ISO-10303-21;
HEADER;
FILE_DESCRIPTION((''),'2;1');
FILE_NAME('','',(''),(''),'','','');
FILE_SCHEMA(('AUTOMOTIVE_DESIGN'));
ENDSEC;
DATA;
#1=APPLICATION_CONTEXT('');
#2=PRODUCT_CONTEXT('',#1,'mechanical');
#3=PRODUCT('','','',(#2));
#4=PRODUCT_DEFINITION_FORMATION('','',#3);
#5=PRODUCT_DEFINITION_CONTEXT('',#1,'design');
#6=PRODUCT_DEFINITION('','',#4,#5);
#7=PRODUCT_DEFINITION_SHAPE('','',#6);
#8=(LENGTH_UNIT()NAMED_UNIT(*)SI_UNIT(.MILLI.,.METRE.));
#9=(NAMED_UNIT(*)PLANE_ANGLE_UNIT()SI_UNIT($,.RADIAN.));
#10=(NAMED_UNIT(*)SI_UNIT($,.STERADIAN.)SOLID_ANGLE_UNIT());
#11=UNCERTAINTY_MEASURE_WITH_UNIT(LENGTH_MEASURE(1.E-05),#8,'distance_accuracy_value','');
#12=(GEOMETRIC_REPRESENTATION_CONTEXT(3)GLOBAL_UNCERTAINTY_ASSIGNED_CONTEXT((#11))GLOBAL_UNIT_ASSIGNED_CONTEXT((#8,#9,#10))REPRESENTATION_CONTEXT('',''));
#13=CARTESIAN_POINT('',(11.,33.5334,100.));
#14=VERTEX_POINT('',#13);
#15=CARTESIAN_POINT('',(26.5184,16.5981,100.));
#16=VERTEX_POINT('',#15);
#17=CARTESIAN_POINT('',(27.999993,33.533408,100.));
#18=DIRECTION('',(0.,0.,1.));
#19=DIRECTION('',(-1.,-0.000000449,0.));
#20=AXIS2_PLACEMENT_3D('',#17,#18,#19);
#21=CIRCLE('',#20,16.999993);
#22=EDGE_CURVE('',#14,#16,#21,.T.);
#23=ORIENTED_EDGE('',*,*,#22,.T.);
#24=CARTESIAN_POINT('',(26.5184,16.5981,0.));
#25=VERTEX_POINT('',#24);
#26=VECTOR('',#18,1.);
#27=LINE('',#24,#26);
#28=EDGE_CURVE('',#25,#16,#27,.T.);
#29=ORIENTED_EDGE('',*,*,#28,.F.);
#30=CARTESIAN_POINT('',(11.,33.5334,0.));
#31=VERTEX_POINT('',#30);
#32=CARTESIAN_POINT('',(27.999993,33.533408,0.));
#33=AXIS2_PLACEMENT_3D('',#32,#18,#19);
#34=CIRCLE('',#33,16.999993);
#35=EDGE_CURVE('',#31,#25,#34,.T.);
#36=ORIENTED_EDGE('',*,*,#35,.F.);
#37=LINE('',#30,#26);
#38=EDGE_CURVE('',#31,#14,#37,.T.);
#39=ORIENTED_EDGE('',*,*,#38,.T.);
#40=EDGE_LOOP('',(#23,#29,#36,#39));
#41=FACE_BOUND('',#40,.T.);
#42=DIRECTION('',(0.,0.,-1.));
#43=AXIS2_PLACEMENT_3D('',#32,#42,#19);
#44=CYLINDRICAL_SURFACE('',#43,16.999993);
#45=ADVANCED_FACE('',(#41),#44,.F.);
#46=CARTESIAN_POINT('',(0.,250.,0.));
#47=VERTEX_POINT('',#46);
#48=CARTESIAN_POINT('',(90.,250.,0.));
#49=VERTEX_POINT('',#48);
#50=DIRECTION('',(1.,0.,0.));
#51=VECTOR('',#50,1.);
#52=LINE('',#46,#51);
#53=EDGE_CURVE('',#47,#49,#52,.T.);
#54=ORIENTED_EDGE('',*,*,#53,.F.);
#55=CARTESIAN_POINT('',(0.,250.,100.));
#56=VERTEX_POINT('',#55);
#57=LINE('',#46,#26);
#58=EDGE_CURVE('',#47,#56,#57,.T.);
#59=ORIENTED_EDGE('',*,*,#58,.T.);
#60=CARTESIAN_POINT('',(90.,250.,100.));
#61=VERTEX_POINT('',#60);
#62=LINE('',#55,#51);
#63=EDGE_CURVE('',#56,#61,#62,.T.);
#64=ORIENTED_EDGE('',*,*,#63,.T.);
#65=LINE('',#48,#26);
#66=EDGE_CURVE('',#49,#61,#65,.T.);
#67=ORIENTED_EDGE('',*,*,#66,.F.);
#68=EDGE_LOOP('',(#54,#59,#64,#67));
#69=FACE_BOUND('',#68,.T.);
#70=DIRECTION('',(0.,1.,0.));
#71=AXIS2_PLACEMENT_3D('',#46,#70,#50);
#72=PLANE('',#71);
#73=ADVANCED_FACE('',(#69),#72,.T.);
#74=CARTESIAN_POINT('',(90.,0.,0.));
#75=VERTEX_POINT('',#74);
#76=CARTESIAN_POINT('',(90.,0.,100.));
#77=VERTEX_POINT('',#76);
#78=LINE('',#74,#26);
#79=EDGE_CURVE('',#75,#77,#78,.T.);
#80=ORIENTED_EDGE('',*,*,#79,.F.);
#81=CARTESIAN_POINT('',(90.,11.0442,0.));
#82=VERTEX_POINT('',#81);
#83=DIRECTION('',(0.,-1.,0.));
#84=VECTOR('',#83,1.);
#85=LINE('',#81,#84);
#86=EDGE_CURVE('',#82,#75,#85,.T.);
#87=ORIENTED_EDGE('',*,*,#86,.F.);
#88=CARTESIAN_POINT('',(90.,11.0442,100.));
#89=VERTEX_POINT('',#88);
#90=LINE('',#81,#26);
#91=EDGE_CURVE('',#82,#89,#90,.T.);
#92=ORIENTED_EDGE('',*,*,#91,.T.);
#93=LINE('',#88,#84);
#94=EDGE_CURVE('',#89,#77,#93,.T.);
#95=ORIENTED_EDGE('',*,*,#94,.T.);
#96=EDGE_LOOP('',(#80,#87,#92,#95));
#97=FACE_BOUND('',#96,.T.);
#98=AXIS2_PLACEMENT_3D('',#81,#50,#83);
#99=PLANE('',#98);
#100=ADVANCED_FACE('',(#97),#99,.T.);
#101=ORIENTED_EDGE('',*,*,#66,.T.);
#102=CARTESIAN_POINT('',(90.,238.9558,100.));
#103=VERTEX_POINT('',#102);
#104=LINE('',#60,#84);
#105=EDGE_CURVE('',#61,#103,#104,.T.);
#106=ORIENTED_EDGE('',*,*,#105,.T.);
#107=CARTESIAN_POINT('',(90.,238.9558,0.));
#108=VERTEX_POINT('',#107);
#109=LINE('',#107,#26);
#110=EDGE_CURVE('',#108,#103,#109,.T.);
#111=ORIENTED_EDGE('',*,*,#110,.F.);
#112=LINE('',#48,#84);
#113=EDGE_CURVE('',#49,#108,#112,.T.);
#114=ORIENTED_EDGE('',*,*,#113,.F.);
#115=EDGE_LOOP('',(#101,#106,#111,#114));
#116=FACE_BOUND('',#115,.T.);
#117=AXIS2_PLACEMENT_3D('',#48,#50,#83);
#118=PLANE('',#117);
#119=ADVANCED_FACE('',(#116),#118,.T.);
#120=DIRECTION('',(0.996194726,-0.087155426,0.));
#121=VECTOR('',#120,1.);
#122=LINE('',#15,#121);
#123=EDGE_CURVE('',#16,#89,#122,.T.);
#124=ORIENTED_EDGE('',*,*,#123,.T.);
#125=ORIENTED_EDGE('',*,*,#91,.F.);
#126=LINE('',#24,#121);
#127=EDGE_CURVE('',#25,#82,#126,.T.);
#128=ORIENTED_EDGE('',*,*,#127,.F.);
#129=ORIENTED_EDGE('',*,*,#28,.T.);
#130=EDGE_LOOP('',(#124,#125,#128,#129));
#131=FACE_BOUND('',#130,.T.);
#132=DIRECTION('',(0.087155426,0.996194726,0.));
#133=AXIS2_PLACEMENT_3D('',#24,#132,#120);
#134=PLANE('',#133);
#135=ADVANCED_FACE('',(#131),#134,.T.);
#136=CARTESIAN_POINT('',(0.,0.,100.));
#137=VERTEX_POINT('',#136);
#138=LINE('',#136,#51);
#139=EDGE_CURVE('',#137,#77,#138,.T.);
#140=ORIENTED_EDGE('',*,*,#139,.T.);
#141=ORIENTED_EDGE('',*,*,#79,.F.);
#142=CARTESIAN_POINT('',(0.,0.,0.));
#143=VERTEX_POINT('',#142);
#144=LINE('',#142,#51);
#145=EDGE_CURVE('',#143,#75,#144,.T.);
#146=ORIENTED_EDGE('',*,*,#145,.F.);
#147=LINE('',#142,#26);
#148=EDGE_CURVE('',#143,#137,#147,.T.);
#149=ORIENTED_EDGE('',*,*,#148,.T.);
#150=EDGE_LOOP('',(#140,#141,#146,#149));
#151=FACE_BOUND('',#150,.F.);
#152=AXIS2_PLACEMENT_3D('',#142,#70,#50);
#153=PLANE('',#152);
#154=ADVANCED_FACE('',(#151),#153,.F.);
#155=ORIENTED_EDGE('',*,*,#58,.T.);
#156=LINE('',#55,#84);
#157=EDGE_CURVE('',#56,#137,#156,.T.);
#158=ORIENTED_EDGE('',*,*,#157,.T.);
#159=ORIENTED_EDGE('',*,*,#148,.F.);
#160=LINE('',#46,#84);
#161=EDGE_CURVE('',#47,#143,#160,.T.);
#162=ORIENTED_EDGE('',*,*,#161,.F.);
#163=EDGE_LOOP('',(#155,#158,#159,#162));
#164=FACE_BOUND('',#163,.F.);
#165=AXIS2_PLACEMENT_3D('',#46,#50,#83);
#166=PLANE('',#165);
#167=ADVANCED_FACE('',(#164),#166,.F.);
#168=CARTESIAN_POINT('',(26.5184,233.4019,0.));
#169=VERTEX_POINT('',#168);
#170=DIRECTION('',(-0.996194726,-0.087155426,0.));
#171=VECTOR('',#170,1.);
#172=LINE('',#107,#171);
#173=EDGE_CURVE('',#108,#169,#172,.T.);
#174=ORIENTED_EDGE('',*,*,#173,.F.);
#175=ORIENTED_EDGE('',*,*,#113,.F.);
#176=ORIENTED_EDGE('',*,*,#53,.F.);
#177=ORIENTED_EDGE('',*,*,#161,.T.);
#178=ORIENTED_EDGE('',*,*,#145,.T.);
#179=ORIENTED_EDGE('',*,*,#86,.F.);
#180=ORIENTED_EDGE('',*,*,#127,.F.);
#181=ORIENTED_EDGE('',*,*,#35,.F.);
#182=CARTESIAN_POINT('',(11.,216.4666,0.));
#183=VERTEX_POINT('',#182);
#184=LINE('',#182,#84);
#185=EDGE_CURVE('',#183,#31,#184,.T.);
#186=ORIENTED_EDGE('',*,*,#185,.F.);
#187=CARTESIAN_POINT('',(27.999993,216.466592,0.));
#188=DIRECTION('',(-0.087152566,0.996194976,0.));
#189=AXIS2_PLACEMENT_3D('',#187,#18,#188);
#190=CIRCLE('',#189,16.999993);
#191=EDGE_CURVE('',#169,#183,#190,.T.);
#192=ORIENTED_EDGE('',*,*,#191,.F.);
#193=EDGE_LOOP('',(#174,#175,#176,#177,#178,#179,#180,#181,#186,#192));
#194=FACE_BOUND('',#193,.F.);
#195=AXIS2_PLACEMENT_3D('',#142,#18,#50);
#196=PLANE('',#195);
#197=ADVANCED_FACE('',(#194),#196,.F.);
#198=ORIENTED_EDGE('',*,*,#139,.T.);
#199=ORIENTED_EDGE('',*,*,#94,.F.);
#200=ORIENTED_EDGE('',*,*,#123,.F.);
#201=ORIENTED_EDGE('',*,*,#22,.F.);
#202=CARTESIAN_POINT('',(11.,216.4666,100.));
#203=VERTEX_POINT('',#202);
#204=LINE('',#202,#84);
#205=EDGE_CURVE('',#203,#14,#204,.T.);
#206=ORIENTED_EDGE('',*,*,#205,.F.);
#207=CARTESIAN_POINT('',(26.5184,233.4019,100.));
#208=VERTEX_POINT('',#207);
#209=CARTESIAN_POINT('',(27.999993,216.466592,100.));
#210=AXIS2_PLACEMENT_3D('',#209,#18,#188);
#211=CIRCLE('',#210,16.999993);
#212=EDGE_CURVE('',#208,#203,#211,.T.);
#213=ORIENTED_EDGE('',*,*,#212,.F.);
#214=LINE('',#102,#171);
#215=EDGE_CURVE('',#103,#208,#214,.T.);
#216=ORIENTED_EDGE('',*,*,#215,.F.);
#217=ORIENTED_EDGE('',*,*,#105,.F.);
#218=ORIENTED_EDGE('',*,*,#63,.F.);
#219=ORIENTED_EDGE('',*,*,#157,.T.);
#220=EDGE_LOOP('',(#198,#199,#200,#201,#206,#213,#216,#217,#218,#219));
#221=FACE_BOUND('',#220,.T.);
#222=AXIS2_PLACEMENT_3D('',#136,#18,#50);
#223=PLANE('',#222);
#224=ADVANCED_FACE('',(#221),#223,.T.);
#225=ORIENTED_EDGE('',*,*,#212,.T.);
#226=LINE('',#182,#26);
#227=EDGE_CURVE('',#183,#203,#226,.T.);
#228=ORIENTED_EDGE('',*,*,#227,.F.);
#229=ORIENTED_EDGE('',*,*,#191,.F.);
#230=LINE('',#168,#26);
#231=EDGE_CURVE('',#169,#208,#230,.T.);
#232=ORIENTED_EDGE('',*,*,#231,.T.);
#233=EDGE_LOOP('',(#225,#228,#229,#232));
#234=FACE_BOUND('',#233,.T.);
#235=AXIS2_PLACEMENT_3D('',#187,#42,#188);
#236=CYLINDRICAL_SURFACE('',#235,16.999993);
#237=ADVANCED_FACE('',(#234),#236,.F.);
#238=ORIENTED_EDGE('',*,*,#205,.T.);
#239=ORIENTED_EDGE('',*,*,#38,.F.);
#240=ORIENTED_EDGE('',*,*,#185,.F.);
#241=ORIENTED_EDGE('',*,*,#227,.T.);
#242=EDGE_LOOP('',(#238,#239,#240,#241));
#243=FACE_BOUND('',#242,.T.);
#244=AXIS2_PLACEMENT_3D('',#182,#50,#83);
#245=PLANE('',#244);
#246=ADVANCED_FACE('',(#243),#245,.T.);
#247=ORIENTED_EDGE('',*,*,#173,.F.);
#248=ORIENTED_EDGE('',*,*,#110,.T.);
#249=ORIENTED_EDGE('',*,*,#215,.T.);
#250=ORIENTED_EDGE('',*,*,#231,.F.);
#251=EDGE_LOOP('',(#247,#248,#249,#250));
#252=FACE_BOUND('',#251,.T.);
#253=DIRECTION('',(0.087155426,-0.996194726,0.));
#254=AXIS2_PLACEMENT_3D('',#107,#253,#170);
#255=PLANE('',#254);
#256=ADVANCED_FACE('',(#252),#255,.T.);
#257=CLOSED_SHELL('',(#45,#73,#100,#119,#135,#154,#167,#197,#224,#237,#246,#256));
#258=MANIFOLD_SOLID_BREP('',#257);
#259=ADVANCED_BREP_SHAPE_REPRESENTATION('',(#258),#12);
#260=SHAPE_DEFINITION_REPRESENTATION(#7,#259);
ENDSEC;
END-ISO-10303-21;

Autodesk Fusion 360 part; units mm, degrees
sketch "スケッチ1" plane through (0, 0, 0) normal (0, 0, 1) x (1, 0, 0)
  line L0 (0, 250) -> (0, 0)
  line L1 (0, 0) -> (90, 0)
  line L2 (90, 11.0442) -> (90, 0)
  line L3 (26.5184, 16.5981) -> (90, 11.0442)
  line L4 (90, 238.9558) -> (26.5184, 233.4019)
  line L5 (0, 250) -> (90, 250)
  line L6 (11, 216.4666) -> (11, 33.5334)
  arc A0 (11, 33.5334) -> (26.5184, 16.5981) centre (28, 33.5334) ccw
  arc A1 (26.5184, 233.4019) -> (11, 216.4666) centre (28, 216.4666) ccw
  line L7 (90, 250) -> (90, 238.9558)
extrude "押し出し1" add sketch "スケッチ1" along normal blind 100
